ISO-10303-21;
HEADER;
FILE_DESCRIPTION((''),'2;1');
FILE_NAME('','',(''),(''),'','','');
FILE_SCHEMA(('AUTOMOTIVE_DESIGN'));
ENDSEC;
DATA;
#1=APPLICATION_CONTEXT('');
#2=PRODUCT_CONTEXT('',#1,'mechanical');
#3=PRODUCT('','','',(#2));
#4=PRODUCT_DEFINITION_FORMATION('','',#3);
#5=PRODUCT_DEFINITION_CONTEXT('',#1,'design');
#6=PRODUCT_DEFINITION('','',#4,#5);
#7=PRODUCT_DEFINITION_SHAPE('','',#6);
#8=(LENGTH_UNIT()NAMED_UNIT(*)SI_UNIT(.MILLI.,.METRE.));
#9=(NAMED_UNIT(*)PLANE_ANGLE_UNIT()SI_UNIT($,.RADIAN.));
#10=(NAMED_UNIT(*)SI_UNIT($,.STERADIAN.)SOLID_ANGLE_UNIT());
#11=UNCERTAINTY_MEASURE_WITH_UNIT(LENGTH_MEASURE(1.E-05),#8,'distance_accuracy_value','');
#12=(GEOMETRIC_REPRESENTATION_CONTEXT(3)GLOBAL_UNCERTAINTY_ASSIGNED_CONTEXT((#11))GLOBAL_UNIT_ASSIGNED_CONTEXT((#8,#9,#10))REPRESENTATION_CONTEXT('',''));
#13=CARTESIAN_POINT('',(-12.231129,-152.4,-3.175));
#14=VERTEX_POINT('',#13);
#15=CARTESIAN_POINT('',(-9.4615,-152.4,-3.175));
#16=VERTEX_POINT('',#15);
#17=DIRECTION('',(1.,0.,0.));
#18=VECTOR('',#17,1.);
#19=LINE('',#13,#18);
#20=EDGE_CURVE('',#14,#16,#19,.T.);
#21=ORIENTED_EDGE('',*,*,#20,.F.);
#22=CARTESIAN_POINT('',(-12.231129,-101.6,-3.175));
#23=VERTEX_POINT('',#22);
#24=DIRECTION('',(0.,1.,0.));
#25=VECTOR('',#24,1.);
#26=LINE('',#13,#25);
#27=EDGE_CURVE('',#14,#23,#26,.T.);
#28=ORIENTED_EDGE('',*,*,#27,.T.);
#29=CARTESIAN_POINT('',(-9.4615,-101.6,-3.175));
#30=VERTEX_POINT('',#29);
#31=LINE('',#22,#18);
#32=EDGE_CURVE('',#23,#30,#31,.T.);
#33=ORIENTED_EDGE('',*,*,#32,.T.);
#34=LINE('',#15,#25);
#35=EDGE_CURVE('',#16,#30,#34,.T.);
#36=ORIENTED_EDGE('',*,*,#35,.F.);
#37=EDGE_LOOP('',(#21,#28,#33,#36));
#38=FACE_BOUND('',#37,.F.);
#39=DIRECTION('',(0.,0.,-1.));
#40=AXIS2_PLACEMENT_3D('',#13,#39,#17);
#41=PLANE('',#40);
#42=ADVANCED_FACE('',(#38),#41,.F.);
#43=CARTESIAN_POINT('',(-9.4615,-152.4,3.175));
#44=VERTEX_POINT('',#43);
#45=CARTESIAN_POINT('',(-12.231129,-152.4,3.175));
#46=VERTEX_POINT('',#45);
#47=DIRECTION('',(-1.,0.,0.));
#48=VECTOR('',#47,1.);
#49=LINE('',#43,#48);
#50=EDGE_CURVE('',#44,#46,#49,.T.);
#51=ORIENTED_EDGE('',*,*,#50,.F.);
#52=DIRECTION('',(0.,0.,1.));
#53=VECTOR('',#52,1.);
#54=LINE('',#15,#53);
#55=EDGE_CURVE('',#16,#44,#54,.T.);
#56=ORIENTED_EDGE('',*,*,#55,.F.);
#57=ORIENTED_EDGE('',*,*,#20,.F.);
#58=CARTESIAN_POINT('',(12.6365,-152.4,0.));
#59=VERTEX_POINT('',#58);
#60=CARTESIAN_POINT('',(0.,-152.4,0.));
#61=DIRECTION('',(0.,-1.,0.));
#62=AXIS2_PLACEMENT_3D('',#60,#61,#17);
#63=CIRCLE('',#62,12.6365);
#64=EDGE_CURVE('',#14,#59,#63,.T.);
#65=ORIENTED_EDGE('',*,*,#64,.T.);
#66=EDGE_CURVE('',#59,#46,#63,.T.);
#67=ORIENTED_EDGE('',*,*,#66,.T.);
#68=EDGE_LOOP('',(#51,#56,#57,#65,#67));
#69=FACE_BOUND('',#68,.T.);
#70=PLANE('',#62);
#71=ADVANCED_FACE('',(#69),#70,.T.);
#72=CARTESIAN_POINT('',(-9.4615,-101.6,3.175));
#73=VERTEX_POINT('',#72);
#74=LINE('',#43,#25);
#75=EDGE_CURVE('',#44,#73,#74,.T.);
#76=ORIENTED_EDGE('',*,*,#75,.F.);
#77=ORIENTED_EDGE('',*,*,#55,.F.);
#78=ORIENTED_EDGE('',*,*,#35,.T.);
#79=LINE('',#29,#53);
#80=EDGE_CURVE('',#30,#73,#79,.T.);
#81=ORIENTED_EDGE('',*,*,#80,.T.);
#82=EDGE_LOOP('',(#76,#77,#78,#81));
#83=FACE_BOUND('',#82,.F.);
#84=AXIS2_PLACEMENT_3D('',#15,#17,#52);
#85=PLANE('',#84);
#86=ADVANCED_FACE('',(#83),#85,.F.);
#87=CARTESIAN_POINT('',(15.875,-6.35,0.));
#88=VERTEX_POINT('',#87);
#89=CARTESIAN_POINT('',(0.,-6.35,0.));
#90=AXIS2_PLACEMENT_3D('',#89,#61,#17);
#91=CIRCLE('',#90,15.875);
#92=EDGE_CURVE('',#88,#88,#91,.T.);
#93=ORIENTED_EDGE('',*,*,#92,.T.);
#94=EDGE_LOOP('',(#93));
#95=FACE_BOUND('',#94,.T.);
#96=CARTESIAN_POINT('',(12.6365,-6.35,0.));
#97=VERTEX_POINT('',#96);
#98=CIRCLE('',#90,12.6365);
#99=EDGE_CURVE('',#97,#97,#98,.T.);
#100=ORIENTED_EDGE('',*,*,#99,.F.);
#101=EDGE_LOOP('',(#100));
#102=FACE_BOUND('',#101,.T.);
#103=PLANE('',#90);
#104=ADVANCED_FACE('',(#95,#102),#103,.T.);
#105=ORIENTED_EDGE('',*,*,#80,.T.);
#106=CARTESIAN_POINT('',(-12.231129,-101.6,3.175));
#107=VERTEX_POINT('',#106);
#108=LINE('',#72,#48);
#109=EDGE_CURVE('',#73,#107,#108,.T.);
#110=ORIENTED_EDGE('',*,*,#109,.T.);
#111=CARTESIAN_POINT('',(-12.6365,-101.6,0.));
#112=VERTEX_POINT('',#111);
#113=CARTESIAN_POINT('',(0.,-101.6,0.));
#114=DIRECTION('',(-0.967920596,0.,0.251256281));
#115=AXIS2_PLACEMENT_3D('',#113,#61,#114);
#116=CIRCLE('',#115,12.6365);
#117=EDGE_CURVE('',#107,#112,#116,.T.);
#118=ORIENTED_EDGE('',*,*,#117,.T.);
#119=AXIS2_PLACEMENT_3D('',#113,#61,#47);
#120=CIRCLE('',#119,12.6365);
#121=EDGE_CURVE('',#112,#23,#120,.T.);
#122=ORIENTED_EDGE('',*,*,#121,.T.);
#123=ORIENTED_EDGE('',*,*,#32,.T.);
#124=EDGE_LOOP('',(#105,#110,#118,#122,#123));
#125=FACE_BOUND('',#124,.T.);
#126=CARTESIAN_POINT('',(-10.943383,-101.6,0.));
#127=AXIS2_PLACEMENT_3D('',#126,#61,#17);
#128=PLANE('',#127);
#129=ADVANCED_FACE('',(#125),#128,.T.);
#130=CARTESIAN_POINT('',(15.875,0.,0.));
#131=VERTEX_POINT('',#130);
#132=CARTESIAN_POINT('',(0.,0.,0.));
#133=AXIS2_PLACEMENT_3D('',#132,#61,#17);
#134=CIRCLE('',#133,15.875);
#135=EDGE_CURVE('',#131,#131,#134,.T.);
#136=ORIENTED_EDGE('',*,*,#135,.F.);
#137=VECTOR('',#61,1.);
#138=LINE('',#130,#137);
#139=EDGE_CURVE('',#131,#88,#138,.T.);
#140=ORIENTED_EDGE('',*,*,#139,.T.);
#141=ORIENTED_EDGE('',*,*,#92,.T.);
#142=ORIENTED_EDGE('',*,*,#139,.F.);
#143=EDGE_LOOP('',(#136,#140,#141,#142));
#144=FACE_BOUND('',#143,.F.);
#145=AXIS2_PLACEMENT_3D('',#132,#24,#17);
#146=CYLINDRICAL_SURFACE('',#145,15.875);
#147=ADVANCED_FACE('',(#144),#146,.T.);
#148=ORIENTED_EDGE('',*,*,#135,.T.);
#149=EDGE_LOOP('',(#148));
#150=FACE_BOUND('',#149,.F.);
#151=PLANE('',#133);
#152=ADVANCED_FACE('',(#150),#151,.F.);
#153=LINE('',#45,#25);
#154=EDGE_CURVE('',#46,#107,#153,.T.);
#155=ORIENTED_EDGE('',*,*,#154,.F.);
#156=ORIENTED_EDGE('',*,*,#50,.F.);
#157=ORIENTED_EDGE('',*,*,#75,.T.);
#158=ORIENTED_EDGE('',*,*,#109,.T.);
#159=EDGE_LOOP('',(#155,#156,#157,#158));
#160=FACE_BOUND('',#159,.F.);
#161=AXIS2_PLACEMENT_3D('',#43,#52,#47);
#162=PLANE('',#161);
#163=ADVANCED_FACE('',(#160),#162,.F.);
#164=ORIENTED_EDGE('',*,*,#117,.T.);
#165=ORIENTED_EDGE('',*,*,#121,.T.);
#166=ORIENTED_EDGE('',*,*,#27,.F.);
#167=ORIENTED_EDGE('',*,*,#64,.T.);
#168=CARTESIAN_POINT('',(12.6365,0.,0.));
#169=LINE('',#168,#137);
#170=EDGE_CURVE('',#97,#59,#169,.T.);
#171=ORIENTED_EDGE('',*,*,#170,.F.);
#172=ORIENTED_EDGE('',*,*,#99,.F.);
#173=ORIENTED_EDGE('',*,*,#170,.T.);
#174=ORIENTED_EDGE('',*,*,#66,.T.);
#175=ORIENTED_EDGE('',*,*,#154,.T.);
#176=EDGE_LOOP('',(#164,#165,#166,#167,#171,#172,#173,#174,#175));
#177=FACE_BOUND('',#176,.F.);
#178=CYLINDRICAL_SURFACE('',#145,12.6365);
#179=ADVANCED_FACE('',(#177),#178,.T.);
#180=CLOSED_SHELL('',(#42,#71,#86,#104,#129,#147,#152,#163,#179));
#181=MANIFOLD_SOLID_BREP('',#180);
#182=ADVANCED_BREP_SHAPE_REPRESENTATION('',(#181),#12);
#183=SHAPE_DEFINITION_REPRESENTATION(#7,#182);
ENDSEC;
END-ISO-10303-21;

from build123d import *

# Parameters (mm, degrees)
F0_R     = 15.875
F0_R_2   = 12.6365
F1_DEPTH = 6.35
F2_R     = 12.6365
F3_DEPTH = 152.4
F5_DEPTH = 50.8


with BuildPart() as f1:
    # F0 (on Front) → F1 (new body)
    with BuildSketch(Plane.XZ):
        Circle(F0_R)
        Circle(F0_R_2, mode=Mode.SUBTRACT)
    extrude(amount=F1_DEPTH)

    # F2 (on Front) → F3 (join)
    with BuildSketch(Plane.XZ):
        Circle(F2_R)
    extrude(amount=F3_DEPTH)

    # F4 (on face) → F5 (cut)
    with BuildSketch(Plane.XZ.offset(152.4)):
        with BuildLine():
            Line((-9.4615, 3.175), (-12.2311286172, 3.175))
            ThreePointArc((-12.2311286172, 3.175), (-12.5347474849, 1.6003867469), (-12.6365, 0))
            ThreePointArc((-12.6365, 0), (-12.5347474849, -1.6003867469), (-12.2311286172, -3.175))
            Line((-12.2311286172, -3.175), (-9.4615, -3.175))
            Line((-9.4615, -3.175), (-9.4615, 3.175))
        make_face()
    extrude(amount=-F5_DEPTH, mode=Mode.SUBTRACT)


solid = f1.part
